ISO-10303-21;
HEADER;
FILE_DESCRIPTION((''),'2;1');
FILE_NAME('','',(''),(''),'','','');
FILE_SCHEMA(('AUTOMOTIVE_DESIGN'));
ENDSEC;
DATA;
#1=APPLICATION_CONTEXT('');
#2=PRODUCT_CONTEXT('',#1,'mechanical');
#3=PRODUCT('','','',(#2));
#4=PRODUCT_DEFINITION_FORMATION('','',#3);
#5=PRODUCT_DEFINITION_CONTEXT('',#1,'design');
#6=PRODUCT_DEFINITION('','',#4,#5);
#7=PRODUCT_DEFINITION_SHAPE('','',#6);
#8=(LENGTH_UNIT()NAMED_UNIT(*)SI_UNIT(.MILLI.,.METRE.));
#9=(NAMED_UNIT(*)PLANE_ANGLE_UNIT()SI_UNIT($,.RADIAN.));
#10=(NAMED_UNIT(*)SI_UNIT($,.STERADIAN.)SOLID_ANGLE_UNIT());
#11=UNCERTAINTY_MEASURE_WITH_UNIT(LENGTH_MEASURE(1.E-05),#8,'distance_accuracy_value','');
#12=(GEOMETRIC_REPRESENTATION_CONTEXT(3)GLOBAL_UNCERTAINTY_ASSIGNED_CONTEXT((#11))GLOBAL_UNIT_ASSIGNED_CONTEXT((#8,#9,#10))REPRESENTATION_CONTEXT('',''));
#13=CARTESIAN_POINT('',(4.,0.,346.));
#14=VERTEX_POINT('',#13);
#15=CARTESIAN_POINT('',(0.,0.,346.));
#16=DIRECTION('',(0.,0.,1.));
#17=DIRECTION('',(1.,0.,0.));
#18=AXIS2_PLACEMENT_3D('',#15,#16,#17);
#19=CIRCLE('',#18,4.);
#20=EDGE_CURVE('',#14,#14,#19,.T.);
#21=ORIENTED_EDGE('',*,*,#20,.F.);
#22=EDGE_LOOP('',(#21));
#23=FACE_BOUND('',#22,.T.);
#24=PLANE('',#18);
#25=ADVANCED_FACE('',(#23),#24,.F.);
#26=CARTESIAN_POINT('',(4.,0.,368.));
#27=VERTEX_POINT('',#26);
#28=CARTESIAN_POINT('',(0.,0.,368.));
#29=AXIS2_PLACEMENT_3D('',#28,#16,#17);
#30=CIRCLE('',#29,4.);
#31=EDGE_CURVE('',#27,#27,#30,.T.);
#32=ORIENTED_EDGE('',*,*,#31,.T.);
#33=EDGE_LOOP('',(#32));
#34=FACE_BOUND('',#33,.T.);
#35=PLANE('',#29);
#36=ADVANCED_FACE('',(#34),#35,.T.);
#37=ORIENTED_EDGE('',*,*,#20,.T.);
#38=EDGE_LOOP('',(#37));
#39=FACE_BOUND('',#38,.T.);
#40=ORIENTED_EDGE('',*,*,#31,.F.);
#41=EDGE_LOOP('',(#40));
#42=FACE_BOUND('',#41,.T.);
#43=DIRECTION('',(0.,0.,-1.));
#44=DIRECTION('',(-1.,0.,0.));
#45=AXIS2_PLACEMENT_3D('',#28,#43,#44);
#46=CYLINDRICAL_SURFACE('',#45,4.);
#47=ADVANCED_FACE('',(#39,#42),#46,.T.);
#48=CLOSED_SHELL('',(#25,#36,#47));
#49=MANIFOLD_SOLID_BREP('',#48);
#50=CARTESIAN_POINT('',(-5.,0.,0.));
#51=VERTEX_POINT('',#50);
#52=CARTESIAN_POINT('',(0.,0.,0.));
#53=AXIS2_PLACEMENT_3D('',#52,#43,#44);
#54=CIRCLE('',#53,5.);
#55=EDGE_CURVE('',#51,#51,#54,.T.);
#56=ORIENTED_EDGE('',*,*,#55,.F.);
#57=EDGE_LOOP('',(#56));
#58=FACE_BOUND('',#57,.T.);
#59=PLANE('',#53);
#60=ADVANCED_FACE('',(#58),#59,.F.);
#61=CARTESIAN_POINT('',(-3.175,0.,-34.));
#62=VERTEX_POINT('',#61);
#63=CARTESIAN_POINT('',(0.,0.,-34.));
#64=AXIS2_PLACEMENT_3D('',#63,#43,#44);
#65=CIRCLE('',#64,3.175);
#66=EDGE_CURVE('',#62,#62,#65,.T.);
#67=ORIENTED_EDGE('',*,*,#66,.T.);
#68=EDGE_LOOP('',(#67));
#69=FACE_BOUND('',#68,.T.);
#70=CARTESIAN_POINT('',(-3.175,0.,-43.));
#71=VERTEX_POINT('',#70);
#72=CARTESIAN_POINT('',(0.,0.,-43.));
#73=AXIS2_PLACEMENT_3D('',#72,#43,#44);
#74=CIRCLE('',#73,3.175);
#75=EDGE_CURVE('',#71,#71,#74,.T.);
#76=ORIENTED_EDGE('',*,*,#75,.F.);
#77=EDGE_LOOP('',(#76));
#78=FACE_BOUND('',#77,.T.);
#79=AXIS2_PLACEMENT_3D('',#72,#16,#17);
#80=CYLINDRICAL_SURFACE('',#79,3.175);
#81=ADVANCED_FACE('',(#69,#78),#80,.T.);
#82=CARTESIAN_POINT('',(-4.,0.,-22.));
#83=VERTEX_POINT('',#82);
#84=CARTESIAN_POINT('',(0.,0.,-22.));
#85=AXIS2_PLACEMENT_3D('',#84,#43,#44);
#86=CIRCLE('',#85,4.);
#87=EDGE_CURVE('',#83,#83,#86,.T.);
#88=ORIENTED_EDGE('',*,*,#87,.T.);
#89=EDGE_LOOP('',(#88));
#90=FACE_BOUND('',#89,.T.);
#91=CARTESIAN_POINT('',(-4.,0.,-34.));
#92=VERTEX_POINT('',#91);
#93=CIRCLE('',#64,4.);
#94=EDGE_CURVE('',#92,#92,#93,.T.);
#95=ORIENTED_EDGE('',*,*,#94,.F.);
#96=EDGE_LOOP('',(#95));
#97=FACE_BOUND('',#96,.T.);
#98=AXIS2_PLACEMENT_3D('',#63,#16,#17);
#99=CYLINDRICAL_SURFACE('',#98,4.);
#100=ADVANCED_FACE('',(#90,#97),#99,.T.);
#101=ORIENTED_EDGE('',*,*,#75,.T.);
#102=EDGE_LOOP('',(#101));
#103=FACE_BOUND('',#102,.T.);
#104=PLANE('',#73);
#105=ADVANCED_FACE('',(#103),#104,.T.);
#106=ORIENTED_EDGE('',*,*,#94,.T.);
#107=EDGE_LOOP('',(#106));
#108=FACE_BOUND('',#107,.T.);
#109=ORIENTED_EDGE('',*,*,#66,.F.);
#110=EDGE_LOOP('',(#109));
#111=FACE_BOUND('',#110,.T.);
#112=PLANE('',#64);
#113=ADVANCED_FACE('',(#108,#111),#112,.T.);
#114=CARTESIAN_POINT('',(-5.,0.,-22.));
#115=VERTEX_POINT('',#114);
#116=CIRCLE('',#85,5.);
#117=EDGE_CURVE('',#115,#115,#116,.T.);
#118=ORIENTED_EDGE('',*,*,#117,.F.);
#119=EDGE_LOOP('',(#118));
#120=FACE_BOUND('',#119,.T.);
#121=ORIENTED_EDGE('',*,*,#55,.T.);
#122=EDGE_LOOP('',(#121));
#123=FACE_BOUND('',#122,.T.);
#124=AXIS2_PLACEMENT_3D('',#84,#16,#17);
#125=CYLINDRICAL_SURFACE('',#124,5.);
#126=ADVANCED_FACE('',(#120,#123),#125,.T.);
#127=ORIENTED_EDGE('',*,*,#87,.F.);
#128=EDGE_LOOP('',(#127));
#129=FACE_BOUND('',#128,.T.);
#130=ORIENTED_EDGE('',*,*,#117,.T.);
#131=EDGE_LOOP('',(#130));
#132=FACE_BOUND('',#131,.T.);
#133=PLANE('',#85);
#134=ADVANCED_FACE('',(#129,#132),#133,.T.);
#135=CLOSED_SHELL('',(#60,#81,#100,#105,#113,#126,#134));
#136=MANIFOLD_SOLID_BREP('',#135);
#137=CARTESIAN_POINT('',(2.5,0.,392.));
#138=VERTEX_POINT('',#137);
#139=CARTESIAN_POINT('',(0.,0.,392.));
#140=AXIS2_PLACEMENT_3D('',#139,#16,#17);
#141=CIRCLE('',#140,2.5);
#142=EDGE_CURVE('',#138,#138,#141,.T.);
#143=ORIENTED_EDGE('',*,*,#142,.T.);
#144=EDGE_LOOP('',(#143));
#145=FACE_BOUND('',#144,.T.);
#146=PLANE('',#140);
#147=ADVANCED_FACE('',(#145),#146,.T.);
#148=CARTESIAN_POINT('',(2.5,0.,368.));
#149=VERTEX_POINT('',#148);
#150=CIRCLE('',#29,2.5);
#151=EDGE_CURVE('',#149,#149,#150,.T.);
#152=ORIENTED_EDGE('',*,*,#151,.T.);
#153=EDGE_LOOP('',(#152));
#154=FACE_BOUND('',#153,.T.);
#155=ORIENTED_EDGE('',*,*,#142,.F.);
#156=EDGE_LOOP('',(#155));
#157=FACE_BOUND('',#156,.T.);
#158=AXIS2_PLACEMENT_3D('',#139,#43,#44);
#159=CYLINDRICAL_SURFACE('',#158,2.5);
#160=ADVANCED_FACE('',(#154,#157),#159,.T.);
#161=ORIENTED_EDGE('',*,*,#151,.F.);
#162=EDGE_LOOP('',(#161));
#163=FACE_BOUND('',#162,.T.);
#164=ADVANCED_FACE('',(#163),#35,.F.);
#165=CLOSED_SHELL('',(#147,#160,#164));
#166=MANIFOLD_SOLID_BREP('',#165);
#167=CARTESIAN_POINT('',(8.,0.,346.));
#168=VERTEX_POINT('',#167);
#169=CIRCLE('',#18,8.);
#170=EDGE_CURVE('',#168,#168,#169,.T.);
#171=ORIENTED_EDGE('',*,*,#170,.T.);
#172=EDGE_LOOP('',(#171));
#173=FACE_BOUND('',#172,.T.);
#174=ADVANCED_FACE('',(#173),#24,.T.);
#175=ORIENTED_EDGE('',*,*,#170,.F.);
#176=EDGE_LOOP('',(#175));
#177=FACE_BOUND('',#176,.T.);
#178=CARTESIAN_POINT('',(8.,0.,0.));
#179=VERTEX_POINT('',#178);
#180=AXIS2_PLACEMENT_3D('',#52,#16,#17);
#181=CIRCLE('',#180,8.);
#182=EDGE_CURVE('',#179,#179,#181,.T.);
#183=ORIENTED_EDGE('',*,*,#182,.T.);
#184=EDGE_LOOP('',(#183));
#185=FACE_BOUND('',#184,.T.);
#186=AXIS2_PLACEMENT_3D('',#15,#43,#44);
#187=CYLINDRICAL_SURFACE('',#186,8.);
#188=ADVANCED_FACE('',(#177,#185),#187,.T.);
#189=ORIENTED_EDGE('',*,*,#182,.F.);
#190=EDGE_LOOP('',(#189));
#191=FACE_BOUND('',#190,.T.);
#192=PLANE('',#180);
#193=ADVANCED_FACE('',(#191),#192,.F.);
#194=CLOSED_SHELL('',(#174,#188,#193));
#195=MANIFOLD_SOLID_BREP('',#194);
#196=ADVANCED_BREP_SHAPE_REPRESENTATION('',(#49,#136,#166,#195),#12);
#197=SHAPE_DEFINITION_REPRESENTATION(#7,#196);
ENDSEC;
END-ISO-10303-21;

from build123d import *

# Parameters (mm, degrees)
SKETCH_1_R      = 8
EXTRUDE_1_DEPTH = 346
SKETCH_2_R      = 4
EXTRUDE_2_DEPTH = 22
SKETCH_4_R      = 5
EXTRUDE_3_DEPTH = 22
SKETCH_5_R      = 2.5
EXTRUDE_4_DEPTH = 24
SKETCH_9_R      = 4
EXTRUDE_5_DEPTH = 12
SKETCH_10_R     = 3.175
EXTRUDE_6_DEPTH = 9


with BuildPart() as part:
    # 草图1 → 凸台-拉伸1 (new body)
    with BuildSketch(Plane.XY):
        Circle(SKETCH_1_R)
    extrude(amount=EXTRUDE_1_DEPTH)


with BuildPart() as body_2:
    # 草图2 → 凸台-拉伸2 (new body)
    with BuildSketch(Plane.XY.offset(346)):
        Circle(SKETCH_2_R)
    extrude(amount=EXTRUDE_2_DEPTH)


with BuildPart() as body_3:
    # 草图4 → 凸台-拉伸3 (new body)
    with BuildSketch(Plane(origin=(0, 0, 0), x_dir=(-1, 0, 0), z_dir=(0, 0, -1))):
        Circle(SKETCH_4_R)
    extrude(amount=EXTRUDE_3_DEPTH)

    # 草图9 → 凸台-拉伸5 (add)
    with BuildSketch(Plane(origin=(0, 0, -22), x_dir=(-1, 0, 0), z_dir=(0, 0, -1))):
        Circle(SKETCH_9_R)
    extrude(amount=EXTRUDE_5_DEPTH)

    # 草图10 → 凸台-拉伸6 (add)
    with BuildSketch(Plane(origin=(0, 0, -34), x_dir=(-1, 0, 0), z_dir=(0, 0, -1))):
        Circle(SKETCH_10_R)
    extrude(amount=EXTRUDE_6_DEPTH)


with BuildPart() as body_4:
    # 草图5 → 凸台-拉伸4 (new body)
    with BuildSketch(Plane.XY.offset(368)):
        Circle(SKETCH_5_R)
    extrude(amount=EXTRUDE_4_DEPTH)


solid = Compound([part.part, body_2.part, body_3.part, body_4.part])
